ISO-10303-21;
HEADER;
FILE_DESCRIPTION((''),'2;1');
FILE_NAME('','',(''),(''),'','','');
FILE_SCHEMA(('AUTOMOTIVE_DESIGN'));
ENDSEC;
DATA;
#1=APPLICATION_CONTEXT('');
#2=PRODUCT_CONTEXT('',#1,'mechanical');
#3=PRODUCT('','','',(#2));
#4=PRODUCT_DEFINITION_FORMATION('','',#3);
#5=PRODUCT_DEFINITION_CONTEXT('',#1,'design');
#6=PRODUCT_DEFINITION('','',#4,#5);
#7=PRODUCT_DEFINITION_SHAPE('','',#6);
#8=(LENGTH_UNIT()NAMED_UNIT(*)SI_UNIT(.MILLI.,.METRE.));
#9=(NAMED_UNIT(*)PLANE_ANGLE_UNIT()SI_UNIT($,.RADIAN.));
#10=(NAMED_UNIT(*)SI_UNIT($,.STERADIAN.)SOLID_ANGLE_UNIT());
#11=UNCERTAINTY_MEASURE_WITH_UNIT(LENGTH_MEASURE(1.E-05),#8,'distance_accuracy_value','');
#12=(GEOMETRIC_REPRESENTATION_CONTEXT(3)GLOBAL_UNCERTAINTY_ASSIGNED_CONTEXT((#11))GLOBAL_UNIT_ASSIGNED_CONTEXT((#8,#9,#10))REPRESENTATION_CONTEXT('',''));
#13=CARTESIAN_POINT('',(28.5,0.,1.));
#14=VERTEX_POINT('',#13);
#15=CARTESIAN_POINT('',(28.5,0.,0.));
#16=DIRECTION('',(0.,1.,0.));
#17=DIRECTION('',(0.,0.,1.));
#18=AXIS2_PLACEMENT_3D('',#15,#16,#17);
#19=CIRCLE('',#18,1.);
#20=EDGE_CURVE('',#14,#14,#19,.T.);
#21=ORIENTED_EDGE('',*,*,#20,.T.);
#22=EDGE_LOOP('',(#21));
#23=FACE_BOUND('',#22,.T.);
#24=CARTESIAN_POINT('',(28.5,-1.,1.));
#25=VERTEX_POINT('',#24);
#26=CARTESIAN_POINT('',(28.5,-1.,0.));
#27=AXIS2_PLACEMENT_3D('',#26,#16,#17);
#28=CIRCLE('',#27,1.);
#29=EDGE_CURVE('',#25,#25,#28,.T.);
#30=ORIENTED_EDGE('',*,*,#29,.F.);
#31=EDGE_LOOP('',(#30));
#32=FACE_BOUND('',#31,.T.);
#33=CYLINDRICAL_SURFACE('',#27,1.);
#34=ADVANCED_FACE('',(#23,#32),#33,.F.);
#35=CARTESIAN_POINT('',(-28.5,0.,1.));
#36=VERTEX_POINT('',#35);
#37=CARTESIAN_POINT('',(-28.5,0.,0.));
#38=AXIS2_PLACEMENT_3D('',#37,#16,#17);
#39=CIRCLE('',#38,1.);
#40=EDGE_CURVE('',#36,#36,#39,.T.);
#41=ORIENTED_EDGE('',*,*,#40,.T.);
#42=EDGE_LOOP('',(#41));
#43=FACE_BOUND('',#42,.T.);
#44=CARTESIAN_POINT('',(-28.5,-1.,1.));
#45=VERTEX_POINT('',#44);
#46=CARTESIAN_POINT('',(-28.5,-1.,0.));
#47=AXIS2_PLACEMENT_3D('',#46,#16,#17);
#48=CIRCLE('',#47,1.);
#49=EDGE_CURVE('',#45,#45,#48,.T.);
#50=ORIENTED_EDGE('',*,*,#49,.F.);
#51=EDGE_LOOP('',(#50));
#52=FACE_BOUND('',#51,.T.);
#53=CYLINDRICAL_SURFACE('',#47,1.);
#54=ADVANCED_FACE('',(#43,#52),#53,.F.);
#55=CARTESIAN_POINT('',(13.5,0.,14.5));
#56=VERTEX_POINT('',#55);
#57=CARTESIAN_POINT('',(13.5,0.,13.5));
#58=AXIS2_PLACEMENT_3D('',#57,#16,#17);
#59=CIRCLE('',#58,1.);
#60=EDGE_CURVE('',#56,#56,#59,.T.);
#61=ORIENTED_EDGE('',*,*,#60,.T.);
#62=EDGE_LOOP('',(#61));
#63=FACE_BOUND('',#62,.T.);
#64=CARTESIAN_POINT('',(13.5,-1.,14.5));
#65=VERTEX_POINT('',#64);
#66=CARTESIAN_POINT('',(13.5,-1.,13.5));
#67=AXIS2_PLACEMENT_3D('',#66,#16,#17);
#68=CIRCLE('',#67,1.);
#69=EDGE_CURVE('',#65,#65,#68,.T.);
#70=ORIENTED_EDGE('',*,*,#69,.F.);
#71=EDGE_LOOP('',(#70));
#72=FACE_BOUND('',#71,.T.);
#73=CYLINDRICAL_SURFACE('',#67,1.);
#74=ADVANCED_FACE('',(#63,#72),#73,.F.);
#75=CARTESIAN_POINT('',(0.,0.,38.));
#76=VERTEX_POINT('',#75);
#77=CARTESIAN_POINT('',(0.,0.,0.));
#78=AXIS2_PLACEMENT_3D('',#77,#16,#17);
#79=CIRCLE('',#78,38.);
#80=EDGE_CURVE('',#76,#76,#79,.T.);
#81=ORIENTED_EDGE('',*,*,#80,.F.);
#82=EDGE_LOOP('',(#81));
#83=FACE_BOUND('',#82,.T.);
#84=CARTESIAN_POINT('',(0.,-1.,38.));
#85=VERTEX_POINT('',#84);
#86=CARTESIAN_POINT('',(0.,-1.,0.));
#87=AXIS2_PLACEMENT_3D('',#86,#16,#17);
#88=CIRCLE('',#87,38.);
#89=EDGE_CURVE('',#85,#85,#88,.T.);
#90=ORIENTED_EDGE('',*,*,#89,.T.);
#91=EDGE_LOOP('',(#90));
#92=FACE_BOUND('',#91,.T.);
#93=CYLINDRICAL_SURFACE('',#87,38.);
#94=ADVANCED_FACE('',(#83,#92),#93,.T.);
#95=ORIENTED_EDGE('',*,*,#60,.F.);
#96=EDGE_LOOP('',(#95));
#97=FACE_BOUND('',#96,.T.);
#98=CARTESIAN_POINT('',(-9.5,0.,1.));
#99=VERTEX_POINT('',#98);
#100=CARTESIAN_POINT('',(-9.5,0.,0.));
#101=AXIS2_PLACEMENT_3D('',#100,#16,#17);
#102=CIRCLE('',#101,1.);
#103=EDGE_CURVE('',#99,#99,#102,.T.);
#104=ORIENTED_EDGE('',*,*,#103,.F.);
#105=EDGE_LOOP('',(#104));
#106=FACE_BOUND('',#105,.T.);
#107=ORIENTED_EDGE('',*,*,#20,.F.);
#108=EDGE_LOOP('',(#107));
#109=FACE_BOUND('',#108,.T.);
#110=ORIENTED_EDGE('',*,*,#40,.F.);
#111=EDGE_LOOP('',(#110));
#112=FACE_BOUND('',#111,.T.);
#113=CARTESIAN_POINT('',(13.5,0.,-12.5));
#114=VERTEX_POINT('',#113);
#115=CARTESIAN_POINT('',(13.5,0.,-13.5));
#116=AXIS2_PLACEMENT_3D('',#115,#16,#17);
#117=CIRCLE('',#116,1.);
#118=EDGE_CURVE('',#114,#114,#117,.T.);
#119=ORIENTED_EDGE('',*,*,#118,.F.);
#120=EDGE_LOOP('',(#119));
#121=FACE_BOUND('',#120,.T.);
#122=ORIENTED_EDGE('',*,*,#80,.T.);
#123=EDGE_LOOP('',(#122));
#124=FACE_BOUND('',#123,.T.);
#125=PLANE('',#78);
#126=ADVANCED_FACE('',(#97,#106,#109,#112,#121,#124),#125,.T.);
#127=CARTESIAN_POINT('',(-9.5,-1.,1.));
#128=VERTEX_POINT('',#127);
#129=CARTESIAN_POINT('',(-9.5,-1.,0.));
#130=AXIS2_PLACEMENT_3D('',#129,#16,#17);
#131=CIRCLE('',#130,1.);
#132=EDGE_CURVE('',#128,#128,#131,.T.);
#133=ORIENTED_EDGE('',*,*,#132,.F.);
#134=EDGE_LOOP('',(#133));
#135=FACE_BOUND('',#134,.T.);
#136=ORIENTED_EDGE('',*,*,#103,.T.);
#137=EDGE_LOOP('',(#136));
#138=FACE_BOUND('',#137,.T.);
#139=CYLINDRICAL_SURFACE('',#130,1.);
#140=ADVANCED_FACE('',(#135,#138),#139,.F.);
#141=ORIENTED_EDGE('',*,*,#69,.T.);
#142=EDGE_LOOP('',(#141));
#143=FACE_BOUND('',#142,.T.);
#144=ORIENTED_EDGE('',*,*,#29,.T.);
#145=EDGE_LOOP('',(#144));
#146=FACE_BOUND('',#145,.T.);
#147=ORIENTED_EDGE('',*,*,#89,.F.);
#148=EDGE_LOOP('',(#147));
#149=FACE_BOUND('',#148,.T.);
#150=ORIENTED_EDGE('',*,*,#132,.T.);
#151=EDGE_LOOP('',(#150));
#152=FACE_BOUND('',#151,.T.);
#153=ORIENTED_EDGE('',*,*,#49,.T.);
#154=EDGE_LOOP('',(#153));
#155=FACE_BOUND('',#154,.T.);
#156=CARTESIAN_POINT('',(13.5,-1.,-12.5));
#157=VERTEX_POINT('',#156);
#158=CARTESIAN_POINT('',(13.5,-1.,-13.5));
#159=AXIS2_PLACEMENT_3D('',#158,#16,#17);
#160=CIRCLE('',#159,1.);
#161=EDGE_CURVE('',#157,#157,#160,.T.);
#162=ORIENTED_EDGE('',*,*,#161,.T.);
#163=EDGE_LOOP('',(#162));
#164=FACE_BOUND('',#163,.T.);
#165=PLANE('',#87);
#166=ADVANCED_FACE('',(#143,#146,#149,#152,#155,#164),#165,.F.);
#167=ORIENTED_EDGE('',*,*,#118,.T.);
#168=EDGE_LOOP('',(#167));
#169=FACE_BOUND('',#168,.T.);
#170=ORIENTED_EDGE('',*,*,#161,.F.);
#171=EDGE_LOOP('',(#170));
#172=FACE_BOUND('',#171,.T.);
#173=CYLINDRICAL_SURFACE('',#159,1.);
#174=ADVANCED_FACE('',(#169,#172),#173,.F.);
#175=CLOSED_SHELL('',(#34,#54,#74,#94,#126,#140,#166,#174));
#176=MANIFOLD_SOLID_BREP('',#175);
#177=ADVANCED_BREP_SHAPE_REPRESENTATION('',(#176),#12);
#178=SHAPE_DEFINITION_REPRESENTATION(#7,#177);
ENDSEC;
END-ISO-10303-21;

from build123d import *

# Parameters (mm, degrees)
SKETCH1_R           = 38
SKETCH1_R_2         = 1
BOSS_EXTRUDE1_DEPTH = 1


with BuildPart() as part:
    # Sketch1 → Boss-Extrude1 (new body)
    with BuildSketch(Plane(origin=(0, 0, 0), x_dir=(1, 0, 0), z_dir=(0, 1, 0))):
        with Locations(Location((0, 0, 0), (0, 0, 270))):
            Circle(SKETCH1_R)
        with Locations(Location((28.5, 0, 0), (0, 0, 270))):
            Circle(SKETCH1_R_2, mode=Mode.SUBTRACT)
        with Locations(Location((-28.5, 0, 0), (0, 0, 270))):
            Circle(SKETCH1_R_2, mode=Mode.SUBTRACT)
        with Locations(Location((13.5, 13.5, 0), (0, 0, 270))):
            Circle(SKETCH1_R_2, mode=Mode.SUBTRACT)
        with Locations(Location((13.5, -13.5, 0), (0, 0, 270))):
            Circle(SKETCH1_R_2, mode=Mode.SUBTRACT)
        with Locations(Location((-9.5, 0, 0), (0, 0, 270))):
            Circle(SKETCH1_R_2, mode=Mode.SUBTRACT)
    extrude(amount=-BOSS_EXTRUDE1_DEPTH)


solid = part.part
